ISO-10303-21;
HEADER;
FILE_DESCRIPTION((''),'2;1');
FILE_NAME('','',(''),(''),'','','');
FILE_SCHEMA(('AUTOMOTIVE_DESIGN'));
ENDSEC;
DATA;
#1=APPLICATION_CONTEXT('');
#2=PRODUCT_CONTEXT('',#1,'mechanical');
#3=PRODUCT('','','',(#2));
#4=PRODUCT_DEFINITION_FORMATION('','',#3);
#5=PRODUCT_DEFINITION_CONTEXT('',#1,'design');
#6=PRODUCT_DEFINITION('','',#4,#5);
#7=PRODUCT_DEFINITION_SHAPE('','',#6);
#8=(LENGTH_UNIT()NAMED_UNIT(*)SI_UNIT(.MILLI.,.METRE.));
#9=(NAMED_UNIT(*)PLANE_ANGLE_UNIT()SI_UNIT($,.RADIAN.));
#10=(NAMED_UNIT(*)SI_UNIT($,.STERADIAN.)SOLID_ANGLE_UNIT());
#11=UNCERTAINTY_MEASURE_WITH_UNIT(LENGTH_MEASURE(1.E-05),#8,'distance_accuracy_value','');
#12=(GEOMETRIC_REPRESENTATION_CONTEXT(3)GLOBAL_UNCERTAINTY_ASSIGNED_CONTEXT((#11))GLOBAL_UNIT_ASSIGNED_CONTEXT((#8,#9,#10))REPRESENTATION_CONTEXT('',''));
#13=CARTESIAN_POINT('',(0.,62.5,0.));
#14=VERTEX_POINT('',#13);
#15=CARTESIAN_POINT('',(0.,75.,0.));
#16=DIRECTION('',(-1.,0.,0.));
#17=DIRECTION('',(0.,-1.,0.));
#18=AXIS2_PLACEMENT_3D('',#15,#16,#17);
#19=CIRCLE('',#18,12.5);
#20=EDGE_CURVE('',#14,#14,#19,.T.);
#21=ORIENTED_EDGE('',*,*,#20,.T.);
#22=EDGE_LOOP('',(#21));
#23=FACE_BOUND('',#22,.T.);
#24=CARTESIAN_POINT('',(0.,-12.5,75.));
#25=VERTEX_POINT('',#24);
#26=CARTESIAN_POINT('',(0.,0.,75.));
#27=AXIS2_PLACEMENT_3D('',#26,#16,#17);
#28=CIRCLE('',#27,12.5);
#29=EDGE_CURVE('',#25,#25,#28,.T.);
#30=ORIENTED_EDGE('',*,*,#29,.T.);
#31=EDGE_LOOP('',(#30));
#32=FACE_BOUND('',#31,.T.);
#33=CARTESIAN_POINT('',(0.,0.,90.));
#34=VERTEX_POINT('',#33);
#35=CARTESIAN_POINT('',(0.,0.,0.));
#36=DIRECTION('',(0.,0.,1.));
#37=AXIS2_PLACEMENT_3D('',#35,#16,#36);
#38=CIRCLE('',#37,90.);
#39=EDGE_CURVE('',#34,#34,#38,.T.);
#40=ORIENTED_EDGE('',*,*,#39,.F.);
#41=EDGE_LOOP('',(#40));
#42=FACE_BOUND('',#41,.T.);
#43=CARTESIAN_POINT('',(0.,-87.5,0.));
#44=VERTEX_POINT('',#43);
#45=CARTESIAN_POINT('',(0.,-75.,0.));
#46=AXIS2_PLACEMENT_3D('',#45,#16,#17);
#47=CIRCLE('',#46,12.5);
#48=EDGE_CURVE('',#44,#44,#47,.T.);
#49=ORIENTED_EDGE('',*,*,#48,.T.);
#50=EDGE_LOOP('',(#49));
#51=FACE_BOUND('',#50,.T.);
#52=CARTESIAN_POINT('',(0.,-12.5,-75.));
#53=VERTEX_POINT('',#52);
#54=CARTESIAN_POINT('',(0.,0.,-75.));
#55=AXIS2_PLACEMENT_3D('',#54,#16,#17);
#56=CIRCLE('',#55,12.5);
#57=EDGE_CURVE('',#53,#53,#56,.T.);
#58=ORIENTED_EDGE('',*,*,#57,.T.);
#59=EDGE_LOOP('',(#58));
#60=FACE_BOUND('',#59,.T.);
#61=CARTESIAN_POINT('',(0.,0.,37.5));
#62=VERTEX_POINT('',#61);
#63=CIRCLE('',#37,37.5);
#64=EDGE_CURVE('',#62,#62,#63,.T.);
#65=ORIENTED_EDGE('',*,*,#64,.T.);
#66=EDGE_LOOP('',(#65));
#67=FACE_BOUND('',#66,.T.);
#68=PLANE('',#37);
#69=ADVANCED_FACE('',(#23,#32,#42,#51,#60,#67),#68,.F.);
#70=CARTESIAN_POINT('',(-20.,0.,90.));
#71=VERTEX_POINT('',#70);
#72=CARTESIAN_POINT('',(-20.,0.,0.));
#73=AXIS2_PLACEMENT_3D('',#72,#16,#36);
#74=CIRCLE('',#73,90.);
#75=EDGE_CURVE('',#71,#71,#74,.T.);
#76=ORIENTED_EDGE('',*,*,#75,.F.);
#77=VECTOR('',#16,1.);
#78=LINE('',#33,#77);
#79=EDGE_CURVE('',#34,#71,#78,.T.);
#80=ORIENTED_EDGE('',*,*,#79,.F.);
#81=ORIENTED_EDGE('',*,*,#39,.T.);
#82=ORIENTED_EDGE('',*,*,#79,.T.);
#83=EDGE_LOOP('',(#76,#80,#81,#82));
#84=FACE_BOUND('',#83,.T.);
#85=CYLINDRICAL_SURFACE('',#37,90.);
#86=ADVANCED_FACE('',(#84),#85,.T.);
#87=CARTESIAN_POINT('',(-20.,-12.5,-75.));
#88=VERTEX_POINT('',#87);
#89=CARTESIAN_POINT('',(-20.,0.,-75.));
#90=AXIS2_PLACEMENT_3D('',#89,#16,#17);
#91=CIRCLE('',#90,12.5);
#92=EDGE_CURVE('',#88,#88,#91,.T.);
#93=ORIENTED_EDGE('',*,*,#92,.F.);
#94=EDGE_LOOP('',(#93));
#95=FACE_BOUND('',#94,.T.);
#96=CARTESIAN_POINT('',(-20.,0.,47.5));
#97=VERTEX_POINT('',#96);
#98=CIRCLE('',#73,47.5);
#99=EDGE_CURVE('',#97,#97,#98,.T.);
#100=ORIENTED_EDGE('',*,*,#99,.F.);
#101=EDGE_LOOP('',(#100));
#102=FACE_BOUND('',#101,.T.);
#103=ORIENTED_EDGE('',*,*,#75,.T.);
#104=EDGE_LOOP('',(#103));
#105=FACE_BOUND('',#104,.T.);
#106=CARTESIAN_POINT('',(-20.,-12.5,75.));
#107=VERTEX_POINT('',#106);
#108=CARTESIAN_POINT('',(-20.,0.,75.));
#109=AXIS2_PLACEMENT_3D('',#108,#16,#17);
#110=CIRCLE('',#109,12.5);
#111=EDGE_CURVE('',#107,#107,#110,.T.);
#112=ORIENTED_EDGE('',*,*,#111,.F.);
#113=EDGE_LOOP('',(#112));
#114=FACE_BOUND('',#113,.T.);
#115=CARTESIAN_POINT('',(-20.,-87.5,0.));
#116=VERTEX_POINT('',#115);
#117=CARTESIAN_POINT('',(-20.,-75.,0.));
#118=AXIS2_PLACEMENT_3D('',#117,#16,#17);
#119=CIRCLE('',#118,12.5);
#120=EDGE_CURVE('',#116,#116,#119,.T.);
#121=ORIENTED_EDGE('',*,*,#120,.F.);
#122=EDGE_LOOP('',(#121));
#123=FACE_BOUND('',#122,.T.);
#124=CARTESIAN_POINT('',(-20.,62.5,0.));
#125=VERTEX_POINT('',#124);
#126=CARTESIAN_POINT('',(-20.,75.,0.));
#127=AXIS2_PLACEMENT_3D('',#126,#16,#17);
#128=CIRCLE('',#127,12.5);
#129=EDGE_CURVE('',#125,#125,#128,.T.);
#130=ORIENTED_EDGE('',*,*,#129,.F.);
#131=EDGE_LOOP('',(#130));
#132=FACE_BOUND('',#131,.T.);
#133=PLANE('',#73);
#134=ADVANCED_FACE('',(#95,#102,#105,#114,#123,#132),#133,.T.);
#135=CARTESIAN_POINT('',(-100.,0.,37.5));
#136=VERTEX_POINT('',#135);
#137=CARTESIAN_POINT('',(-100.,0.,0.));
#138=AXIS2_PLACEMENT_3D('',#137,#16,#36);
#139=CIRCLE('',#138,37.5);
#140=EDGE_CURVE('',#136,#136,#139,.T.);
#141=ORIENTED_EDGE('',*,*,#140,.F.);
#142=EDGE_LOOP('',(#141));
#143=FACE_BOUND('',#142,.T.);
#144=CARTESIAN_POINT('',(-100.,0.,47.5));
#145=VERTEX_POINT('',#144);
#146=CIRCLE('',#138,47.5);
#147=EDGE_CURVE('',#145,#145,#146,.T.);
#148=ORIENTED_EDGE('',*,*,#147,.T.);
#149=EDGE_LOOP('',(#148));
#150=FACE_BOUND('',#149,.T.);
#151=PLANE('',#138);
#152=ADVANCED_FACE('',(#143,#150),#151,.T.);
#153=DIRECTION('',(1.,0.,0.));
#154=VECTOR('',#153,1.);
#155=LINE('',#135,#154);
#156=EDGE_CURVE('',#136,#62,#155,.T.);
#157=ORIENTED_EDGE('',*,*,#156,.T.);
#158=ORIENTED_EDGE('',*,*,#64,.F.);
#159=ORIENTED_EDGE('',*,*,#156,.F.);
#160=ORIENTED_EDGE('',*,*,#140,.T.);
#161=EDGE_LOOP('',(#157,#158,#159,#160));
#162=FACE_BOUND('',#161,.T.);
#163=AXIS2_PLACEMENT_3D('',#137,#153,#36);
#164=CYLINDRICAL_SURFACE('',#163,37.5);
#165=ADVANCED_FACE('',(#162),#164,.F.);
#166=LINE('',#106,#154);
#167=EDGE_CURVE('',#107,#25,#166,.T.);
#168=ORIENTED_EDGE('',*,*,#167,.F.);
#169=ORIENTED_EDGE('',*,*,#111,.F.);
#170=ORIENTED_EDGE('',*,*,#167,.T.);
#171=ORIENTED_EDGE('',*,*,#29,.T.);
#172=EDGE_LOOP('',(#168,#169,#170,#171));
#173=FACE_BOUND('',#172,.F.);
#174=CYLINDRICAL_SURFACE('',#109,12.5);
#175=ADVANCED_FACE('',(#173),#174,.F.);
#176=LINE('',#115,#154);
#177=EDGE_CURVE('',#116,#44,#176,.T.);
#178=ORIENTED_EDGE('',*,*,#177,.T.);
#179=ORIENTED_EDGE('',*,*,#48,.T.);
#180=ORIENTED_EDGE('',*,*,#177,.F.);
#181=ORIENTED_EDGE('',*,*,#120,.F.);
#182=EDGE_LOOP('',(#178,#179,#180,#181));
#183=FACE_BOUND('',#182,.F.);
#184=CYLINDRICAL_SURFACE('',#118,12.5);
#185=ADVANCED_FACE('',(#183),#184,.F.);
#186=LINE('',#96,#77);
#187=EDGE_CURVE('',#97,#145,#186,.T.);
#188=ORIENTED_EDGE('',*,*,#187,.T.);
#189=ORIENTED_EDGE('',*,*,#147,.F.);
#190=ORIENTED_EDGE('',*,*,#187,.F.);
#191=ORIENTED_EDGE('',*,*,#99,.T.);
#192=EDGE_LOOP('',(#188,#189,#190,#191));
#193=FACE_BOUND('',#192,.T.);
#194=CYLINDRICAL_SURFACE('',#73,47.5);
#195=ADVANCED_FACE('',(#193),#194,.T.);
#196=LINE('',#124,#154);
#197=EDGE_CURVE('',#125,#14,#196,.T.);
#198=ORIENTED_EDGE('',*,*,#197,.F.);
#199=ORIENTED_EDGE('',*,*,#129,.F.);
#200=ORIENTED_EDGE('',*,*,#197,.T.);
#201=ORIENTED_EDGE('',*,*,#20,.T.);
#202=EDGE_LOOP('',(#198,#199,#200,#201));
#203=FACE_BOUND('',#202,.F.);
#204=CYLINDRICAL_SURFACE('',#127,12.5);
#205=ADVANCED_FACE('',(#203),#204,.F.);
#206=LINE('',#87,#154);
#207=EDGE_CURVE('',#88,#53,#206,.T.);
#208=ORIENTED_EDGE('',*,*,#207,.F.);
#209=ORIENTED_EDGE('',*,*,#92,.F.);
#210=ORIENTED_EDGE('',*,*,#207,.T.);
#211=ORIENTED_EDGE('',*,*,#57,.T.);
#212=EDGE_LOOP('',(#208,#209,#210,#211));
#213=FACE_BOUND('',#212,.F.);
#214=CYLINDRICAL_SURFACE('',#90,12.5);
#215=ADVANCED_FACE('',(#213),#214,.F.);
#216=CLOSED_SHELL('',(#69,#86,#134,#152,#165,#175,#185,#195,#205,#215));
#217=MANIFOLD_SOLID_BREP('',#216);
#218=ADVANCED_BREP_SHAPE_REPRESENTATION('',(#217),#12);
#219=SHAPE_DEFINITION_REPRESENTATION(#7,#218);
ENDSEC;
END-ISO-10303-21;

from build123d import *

# Parameters (mm, degrees)
F2_R     = 12.5
F3_DEPTH = 25


with BuildPart() as f1:
    # F0 (on Front) → F1 (revolve)
    with BuildSketch(Plane.XZ):
        Polygon((-100, 37.5), (0, 37.5), (0, 90), (-20, 90), (-20, 47.5), (-100, 47.5), align=None)
    revolve(axis=Axis((-87.685876, 0, 0), (-1, 0, 0)))

    # F2 (on face) → F3 (cut)
    with BuildSketch(Plane(origin=(-20, 0, 0), x_dir=(0, -1, 0), z_dir=(-1, 0, 0))):
        with Locations((0, 75)):
            Circle(F2_R)
        with Locations((-75, 0)):
            Circle(F2_R)
        with Locations((0, -75)):
            Circle(F2_R)
        with Locations((75, 0)):
            Circle(F2_R)
    extrude(amount=-F3_DEPTH, mode=Mode.SUBTRACT)


solid = f1.part
